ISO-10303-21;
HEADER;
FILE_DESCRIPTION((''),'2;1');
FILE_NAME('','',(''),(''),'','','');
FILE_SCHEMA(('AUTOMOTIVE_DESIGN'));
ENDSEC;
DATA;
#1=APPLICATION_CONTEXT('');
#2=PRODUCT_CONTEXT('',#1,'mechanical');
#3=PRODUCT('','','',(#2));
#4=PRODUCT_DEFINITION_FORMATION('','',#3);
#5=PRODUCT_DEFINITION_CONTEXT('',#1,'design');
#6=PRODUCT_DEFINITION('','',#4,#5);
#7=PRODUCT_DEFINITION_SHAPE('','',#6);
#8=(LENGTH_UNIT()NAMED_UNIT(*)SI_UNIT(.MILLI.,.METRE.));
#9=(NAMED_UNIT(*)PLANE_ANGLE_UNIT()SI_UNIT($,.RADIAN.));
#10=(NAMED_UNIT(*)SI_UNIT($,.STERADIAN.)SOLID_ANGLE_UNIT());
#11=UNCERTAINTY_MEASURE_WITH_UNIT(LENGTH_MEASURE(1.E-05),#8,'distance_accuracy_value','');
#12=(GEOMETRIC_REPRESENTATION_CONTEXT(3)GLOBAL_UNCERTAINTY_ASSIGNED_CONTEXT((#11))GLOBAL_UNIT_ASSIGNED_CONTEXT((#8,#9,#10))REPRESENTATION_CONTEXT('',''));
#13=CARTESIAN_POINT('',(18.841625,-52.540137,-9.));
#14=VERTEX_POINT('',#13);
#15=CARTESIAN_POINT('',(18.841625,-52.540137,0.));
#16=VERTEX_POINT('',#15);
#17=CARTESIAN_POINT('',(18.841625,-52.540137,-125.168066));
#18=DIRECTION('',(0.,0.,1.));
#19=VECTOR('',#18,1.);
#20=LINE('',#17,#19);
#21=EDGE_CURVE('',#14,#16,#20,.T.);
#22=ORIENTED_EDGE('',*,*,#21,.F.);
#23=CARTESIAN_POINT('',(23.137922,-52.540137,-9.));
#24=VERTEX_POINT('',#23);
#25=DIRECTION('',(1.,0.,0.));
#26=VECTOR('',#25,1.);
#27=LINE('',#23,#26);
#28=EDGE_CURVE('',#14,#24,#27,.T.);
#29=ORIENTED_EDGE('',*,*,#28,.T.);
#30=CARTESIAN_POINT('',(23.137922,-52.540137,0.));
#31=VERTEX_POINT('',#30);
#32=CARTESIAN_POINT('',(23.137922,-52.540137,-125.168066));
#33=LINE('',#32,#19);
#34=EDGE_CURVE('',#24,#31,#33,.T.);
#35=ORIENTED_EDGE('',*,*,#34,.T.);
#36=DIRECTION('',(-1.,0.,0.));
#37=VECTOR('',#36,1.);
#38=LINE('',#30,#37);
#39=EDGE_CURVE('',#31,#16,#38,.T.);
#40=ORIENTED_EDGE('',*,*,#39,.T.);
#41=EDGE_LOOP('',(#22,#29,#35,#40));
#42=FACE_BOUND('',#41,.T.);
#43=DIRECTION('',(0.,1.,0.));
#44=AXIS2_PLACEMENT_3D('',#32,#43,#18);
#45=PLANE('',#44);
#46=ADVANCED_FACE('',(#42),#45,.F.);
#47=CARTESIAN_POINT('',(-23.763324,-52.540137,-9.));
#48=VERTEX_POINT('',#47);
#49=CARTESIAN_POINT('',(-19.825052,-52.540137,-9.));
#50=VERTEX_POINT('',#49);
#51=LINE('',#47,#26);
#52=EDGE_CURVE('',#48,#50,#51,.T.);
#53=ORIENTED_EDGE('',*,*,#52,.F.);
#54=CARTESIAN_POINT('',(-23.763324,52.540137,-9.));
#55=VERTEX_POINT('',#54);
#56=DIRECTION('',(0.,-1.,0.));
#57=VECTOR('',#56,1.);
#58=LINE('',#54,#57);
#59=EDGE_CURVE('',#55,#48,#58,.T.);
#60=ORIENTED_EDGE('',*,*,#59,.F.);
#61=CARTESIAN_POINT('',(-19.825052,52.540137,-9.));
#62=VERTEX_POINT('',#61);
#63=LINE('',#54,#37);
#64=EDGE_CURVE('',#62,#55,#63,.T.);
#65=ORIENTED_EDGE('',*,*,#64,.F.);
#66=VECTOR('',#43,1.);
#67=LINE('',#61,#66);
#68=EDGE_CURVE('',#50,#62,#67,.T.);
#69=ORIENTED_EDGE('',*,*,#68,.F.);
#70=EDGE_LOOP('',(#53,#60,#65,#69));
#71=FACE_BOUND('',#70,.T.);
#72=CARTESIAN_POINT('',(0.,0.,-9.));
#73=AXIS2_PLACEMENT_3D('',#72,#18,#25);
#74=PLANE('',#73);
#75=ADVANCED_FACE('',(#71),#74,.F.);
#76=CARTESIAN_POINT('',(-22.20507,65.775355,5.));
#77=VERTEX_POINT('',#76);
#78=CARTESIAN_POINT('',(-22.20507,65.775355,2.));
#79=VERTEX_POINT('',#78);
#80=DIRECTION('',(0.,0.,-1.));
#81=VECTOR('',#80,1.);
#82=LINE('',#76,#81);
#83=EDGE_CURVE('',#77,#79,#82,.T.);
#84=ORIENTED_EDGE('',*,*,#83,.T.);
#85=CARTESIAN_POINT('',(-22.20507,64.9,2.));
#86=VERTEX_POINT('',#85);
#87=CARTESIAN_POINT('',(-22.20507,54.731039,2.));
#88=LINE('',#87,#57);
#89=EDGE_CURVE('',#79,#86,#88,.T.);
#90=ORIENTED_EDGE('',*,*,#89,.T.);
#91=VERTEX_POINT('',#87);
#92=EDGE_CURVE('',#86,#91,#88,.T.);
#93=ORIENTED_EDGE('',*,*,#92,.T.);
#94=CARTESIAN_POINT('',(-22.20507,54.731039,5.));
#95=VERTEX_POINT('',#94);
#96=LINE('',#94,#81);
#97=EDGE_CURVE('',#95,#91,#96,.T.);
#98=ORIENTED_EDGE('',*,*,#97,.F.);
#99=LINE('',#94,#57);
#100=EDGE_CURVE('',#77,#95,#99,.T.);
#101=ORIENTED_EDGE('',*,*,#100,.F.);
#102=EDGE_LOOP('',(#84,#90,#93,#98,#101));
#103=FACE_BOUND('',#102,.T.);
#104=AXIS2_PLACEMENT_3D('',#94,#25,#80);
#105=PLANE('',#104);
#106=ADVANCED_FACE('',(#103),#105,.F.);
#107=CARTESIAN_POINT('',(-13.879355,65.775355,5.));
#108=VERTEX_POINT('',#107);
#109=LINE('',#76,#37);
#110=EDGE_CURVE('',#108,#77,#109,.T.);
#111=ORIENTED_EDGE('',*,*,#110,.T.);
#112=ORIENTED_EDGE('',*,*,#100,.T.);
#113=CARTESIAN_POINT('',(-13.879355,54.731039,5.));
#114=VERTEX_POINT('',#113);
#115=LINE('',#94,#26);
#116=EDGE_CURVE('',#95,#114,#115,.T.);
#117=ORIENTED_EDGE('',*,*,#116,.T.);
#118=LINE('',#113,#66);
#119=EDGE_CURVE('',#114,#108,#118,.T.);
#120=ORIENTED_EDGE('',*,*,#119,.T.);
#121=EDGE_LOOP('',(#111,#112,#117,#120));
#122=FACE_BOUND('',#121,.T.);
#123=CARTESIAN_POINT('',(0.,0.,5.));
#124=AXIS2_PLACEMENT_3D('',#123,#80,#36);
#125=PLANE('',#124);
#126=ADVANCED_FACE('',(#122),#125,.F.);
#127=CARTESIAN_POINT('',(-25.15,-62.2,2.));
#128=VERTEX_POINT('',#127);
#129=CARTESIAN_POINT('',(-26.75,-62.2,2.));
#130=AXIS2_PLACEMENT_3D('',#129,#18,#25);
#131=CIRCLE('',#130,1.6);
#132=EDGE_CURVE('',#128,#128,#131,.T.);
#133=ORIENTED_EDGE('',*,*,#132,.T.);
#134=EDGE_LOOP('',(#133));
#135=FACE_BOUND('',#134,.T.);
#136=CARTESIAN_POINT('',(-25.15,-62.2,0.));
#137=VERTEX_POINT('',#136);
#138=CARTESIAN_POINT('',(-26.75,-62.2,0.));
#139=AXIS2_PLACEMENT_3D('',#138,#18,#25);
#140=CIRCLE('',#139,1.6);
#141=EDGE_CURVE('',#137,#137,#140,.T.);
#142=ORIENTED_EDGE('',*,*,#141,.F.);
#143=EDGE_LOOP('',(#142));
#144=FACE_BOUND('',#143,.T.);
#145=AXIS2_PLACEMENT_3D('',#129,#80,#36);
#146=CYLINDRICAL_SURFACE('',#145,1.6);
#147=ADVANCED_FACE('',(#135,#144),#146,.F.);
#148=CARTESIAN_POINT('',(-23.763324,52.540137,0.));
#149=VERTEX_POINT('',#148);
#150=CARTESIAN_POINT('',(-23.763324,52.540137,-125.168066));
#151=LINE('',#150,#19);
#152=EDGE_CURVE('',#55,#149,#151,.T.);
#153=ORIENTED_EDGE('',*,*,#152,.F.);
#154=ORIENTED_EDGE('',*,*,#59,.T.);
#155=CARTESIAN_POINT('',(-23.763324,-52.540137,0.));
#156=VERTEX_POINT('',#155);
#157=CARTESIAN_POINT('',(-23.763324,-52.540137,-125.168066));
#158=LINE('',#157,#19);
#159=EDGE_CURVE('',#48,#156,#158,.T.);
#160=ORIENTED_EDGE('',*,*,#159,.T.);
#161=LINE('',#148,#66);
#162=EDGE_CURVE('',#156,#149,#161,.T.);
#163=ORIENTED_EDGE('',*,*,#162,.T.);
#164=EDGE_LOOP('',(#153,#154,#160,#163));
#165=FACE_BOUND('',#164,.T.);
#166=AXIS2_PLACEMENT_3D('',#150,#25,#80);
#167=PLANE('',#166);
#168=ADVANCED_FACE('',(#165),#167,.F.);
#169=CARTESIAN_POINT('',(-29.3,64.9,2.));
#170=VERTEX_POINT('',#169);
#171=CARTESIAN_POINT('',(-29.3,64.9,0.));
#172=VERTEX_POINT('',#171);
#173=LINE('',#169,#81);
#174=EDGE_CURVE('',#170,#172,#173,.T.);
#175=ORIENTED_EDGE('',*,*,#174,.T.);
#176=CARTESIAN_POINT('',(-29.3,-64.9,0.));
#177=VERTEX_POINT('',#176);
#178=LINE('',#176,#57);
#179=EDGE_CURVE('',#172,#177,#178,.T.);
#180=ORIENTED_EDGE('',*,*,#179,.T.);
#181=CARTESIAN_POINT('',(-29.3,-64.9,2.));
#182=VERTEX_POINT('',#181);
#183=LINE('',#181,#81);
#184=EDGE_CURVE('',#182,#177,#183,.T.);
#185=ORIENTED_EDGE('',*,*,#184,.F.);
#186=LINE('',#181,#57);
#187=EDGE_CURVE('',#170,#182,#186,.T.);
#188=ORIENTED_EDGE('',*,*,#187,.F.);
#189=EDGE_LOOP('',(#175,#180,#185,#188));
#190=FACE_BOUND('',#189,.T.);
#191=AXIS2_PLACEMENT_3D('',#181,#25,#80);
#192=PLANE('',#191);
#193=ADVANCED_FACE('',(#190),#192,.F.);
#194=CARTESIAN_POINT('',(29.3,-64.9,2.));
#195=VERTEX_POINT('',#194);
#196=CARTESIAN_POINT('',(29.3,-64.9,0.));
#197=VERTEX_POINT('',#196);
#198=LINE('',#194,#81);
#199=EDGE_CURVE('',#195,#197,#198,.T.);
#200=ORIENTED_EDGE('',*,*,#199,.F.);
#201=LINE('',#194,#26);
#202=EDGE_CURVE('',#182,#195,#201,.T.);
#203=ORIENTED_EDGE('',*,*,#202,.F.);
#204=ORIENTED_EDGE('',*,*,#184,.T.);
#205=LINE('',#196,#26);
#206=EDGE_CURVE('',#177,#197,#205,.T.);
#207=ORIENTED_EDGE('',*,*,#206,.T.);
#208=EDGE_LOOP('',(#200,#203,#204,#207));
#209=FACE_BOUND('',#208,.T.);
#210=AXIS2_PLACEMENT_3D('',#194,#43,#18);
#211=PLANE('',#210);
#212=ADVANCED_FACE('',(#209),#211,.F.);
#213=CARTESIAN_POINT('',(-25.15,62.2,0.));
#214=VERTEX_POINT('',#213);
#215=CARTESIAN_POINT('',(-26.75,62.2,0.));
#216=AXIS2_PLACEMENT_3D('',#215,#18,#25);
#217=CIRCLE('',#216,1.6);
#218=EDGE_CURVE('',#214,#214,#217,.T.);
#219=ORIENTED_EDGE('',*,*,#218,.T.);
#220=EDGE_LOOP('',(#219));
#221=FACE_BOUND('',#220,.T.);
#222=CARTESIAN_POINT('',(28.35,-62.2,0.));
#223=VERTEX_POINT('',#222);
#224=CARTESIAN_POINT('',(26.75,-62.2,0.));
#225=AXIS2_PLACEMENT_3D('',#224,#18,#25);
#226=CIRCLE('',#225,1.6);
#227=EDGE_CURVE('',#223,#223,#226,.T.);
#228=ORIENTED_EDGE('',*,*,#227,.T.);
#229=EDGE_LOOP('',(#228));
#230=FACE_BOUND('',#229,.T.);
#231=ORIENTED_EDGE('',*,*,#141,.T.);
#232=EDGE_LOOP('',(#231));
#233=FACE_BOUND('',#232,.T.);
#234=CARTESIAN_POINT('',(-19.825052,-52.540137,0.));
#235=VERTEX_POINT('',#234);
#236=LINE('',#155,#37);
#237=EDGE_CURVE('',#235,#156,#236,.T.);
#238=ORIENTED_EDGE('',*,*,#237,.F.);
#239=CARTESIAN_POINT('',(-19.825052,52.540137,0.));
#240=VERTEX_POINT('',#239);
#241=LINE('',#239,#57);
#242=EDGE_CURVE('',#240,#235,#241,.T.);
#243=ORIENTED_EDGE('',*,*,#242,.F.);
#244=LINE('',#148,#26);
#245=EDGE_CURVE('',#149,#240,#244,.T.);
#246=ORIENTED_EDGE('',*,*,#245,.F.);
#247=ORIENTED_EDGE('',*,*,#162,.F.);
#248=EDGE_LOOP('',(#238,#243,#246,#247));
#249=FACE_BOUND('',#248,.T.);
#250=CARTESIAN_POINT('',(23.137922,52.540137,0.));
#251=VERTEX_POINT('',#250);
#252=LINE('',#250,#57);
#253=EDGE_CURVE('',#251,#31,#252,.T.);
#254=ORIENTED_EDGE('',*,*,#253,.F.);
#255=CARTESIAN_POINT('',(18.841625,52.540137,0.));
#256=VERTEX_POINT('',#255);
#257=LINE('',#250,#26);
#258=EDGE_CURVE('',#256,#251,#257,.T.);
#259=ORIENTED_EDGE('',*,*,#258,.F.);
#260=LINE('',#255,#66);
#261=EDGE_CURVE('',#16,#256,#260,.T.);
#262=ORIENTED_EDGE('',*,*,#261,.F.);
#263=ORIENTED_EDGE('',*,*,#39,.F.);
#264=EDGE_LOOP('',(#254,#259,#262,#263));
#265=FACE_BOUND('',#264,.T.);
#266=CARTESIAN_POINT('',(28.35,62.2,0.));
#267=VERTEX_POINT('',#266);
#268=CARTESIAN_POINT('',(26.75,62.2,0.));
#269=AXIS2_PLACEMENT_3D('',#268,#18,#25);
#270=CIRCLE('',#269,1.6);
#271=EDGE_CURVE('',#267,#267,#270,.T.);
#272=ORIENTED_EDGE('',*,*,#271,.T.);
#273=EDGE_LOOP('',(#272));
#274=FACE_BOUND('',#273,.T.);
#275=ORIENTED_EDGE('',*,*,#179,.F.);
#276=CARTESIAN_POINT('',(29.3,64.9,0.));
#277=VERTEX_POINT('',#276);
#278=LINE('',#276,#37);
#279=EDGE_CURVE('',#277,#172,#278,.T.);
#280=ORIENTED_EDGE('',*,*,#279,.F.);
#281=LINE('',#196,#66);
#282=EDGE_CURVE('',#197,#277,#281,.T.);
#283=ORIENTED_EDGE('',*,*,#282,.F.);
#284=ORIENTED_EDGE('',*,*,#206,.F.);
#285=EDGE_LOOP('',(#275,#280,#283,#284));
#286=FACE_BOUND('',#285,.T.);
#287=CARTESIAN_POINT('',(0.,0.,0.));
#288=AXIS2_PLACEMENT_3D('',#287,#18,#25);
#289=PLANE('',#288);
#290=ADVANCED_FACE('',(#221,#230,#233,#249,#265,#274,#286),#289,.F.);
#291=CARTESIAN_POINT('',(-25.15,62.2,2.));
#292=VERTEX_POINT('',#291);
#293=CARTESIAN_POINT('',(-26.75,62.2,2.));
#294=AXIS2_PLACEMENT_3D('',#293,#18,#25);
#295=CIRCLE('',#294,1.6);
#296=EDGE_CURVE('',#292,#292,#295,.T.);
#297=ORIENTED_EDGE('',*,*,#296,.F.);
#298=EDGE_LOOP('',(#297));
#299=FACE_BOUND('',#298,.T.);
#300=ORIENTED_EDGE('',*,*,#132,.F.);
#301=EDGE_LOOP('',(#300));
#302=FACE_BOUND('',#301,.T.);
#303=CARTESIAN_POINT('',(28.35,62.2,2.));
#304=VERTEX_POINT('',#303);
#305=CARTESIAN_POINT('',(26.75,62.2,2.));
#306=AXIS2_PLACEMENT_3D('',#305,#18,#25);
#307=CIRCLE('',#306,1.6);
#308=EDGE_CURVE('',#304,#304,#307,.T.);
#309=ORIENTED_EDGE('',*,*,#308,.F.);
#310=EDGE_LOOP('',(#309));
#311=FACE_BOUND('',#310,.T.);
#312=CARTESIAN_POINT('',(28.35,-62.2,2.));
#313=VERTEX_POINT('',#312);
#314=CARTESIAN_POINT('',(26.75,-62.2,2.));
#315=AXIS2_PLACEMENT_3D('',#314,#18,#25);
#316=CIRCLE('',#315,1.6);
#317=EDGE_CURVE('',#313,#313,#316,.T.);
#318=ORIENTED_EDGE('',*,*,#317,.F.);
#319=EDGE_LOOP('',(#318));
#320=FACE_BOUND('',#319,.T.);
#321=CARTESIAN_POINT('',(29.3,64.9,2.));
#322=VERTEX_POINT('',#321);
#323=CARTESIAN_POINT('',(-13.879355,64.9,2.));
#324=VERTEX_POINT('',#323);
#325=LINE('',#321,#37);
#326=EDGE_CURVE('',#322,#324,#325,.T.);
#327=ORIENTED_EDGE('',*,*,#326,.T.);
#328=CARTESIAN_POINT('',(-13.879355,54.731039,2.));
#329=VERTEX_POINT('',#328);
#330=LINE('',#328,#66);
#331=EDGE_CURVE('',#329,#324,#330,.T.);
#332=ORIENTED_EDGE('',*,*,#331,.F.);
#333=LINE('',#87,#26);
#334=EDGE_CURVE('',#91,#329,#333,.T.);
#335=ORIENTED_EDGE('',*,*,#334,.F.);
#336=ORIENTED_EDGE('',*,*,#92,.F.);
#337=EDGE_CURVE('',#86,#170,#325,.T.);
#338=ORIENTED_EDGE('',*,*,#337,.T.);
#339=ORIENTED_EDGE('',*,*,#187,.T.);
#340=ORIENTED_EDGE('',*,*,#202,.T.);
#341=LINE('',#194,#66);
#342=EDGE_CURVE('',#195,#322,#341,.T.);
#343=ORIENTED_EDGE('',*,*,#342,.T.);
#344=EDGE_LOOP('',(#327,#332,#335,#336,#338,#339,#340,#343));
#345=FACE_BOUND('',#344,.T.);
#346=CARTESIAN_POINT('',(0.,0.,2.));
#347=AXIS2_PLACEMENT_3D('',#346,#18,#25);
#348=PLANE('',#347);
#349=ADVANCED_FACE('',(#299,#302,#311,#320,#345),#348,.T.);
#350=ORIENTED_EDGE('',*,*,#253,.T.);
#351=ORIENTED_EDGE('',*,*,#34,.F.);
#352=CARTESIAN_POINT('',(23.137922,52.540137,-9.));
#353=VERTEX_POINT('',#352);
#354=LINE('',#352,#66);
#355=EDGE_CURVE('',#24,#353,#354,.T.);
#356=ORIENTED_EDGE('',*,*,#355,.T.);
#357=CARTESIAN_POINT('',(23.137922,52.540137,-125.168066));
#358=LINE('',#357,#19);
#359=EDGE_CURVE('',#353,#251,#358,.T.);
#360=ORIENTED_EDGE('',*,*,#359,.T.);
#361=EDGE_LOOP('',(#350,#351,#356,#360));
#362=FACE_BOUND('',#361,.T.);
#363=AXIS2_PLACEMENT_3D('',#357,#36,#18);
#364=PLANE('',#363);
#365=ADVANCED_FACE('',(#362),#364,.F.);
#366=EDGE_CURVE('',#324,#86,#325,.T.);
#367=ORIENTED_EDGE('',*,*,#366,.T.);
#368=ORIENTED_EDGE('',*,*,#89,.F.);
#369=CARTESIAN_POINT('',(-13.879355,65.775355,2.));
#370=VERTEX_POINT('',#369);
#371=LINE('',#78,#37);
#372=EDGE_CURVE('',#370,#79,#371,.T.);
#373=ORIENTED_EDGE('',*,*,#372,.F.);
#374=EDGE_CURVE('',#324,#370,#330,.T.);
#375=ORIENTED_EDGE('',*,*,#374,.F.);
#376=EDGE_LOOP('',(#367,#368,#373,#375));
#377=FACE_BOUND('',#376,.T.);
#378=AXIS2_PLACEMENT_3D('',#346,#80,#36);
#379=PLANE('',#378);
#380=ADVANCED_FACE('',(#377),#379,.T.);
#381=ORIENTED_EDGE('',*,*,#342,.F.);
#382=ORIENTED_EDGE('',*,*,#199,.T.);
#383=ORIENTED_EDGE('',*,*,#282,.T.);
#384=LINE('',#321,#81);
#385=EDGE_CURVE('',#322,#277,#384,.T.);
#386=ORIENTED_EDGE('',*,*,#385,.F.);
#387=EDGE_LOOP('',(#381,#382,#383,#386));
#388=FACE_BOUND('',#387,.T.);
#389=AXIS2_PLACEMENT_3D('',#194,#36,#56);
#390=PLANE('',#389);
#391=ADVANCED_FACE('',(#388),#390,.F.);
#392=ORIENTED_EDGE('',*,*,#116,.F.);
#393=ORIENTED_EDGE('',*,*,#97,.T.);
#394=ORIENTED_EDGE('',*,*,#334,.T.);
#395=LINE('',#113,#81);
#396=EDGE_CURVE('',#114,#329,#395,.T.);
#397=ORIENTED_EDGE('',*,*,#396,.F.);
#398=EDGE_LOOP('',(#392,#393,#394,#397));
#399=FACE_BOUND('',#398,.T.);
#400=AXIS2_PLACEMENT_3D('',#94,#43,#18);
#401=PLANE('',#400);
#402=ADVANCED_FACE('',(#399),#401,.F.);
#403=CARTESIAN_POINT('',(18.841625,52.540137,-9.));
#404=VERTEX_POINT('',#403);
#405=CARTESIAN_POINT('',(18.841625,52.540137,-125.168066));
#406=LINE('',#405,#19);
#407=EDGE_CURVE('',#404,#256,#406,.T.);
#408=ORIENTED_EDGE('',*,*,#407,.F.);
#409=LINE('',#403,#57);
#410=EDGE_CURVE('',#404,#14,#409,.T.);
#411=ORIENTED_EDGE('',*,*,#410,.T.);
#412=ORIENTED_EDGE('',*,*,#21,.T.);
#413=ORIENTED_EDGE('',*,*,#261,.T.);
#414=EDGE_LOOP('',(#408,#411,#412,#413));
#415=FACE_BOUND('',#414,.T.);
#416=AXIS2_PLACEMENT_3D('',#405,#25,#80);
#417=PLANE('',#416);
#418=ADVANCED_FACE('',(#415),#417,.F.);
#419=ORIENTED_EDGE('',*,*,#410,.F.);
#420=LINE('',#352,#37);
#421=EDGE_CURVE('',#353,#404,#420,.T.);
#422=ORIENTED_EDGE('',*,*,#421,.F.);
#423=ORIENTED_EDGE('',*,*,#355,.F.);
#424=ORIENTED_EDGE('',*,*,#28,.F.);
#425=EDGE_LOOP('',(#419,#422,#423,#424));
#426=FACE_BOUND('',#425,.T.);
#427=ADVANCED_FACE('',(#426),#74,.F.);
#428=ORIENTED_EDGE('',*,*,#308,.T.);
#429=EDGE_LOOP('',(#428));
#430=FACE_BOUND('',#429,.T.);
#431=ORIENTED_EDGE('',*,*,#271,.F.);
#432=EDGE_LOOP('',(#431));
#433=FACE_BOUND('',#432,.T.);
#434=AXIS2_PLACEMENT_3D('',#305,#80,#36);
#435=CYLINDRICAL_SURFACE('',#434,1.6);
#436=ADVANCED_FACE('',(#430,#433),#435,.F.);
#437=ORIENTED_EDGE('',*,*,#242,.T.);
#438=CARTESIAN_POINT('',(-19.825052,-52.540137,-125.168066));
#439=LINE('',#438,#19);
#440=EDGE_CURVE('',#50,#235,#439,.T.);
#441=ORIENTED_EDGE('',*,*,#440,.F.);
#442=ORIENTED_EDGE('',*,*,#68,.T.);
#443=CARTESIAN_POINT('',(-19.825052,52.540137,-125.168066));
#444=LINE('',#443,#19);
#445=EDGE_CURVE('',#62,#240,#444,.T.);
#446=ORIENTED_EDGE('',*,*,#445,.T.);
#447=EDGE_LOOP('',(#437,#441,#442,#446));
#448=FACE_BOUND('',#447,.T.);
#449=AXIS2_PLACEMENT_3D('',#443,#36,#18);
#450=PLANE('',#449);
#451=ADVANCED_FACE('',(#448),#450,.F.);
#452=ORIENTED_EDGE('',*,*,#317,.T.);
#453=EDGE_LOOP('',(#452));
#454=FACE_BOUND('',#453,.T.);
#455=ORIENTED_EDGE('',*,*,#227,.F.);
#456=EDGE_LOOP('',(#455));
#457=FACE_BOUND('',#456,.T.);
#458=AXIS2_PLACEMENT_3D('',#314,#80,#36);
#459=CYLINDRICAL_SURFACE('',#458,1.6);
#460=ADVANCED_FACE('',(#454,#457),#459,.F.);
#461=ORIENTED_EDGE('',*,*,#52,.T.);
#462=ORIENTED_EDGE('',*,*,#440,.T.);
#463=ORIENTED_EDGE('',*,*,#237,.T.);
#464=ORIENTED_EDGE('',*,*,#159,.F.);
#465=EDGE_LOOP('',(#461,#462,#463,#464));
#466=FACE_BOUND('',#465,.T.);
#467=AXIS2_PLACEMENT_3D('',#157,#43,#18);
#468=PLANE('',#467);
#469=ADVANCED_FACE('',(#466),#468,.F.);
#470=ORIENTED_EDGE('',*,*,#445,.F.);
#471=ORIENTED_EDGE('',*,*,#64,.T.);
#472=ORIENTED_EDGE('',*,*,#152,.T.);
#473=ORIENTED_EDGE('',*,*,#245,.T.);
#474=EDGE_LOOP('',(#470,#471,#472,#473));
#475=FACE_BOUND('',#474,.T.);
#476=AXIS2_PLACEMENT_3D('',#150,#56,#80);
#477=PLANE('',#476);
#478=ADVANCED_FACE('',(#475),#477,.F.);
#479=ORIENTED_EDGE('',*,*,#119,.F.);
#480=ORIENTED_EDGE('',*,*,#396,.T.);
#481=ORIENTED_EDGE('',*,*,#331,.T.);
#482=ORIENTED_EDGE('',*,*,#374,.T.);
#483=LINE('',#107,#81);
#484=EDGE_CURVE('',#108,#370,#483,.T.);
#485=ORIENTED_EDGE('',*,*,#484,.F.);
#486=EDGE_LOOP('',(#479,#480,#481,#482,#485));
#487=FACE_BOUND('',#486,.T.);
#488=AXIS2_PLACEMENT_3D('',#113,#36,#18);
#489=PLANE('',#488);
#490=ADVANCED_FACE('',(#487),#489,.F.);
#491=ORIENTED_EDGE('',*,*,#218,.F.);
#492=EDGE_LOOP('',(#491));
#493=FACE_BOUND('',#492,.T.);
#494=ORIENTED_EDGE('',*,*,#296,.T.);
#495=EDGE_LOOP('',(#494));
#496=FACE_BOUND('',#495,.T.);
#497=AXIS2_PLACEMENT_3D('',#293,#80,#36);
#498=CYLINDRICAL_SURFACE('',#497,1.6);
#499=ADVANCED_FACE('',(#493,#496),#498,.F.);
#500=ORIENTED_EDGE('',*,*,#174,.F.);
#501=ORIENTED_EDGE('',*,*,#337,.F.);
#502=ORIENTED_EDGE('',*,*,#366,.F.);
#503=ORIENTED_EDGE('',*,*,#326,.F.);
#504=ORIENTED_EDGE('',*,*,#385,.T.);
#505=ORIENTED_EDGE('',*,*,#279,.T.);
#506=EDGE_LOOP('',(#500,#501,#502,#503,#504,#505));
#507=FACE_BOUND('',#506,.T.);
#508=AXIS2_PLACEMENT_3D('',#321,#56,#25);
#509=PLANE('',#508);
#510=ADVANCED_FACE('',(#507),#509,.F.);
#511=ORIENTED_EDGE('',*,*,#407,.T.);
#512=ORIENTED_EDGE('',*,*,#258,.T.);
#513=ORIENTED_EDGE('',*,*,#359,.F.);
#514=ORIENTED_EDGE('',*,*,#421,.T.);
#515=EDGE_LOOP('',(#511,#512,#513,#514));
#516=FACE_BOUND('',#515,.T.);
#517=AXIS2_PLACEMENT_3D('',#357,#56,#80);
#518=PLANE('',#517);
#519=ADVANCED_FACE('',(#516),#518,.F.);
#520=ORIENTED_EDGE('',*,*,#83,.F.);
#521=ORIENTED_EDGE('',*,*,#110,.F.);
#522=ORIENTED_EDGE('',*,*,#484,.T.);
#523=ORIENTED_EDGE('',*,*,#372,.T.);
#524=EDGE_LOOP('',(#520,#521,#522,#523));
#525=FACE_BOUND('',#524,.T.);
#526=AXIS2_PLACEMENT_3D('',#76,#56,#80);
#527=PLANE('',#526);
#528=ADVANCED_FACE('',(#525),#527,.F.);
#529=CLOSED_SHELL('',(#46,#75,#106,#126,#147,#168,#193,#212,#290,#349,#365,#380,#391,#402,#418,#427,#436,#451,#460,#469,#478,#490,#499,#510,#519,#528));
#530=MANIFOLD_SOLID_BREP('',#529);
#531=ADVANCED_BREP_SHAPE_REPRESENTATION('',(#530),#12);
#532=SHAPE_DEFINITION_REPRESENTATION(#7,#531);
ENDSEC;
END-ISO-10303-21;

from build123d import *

# Parameters (mm, degrees)
SKETCH1_W           = 58.6
SKETCH1_H           = 129.8
SKETCH1_R           = 1.6
BOSS_EXTRUDE1_DEPTH = 2
SKETCH2_W           = 4.296297389
SKETCH2_H           = 105.080273626
SKETCH2_W_2         = 3.938272606
BOSS_EXTRUDE2_DEPTH = 9
SKETCH3_W           = 8.325714973
SKETCH3_H           = 11.044315781
BOSS_EXTRUDE3_DEPTH = 3


with BuildPart() as part:
    # Sketch1 → Boss-Extrude1 (new body)
    with BuildSketch(Plane.XY):
        Rectangle(SKETCH1_W, SKETCH1_H)
        with Locations((-26.75, 62.2)):
            Circle(SKETCH1_R, mode=Mode.SUBTRACT)
        with Locations((26.75, 62.2)):
            Circle(SKETCH1_R, mode=Mode.SUBTRACT)
        with Locations((-26.75, -62.2)):
            Circle(SKETCH1_R, mode=Mode.SUBTRACT)
        with Locations((26.75, -62.2)):
            Circle(SKETCH1_R, mode=Mode.SUBTRACT)
    extrude(amount=BOSS_EXTRUDE1_DEPTH)

    # Sketch2 → Boss-Extrude2 (add)
    with BuildSketch(Plane(origin=(0, 0, 0), x_dir=(-1, 0, 0), z_dir=(0, 0, -1))):
        with Locations((-20.989773544, 0)):
            Rectangle(SKETCH2_W, SKETCH2_H)
        with Locations((21.79418795, 0)):
            Rectangle(SKETCH2_W_2, SKETCH2_H)
    extrude(amount=BOSS_EXTRUDE2_DEPTH)

    # Sketch3 → Boss-Extrude3 (add)
    with BuildSketch(Plane.XY.offset(2)):
        with Locations((-18.042212682, 60.253196822)):
            Rectangle(SKETCH3_W, SKETCH3_H)
    extrude(amount=BOSS_EXTRUDE3_DEPTH)


solid = part.part
